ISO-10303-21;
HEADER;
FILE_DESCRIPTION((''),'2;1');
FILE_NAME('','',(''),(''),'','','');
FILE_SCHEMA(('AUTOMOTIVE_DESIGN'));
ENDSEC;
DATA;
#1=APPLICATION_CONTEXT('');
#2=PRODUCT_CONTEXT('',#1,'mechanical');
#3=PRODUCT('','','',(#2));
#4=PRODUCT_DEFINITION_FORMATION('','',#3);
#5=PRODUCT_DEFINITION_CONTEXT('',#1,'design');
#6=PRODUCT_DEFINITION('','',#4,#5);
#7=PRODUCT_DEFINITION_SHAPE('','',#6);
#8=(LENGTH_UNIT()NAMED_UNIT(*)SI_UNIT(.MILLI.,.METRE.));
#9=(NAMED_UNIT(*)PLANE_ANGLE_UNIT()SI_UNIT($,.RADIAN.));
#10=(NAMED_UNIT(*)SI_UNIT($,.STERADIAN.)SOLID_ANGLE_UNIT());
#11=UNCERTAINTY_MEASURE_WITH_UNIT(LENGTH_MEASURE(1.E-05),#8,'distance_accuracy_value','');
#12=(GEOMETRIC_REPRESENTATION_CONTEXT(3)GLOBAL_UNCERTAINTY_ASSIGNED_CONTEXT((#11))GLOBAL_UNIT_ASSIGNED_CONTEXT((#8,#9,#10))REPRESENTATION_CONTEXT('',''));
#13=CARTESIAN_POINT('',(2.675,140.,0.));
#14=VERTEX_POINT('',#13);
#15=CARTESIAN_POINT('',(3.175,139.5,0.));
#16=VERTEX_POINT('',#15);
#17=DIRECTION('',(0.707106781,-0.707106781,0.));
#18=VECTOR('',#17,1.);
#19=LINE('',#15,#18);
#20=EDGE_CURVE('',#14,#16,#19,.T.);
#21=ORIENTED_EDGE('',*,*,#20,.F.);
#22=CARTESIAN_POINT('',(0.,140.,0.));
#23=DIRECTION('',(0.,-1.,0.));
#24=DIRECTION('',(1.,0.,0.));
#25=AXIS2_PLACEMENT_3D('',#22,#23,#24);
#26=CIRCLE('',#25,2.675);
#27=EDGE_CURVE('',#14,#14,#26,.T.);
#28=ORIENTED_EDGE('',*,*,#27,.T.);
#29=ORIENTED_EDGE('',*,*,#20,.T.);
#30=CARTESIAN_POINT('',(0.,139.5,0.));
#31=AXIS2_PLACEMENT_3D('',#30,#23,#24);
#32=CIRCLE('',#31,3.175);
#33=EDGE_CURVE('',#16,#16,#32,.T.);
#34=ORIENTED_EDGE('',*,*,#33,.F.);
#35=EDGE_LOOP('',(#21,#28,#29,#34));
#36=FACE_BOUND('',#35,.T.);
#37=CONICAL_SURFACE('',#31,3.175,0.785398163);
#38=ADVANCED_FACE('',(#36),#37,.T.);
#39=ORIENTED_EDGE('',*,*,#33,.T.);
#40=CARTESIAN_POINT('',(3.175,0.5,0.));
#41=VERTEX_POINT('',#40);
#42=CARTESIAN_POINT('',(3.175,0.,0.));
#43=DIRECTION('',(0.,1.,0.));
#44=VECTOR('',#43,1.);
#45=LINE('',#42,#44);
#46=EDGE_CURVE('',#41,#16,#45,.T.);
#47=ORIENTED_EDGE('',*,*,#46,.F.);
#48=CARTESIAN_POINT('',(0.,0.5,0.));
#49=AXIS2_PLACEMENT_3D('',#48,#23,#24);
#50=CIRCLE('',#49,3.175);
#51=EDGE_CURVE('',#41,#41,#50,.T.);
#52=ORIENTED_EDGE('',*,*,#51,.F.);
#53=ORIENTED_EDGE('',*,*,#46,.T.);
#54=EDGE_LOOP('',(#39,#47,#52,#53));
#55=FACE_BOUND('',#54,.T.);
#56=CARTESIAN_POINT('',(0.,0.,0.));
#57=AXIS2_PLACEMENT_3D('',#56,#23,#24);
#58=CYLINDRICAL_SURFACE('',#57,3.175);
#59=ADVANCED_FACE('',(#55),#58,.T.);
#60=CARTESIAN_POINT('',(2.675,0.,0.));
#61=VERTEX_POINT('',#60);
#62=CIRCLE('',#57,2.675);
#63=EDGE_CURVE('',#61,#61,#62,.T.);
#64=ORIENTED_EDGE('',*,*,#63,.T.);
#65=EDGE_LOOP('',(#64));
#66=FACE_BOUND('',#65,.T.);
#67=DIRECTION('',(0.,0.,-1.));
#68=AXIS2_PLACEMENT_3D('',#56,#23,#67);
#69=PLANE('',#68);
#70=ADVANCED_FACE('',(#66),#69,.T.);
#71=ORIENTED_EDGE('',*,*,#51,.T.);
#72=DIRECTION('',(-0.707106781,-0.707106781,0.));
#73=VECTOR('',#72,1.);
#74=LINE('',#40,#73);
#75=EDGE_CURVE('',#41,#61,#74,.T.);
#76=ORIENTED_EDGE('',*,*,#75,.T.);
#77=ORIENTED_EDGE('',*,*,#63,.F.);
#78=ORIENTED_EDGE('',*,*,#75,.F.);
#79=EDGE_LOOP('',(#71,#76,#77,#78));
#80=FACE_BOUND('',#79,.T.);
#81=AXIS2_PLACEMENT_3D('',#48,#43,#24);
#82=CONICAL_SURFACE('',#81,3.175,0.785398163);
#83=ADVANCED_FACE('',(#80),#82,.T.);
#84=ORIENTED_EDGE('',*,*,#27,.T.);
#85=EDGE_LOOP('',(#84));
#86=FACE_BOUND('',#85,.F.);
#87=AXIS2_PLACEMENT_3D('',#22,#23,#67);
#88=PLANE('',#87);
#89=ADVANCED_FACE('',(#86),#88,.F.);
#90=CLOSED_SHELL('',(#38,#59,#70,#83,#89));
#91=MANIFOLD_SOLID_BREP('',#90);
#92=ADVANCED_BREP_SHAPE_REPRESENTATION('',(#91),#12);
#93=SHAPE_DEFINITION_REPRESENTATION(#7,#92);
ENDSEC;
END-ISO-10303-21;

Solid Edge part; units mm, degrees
sketch "Sketch1" plane through (0, 0, 0) normal (0, -1, 0) x (1, 0, 0)
  circle A0 centre (0, 0) radius 3.175
extrude "Protrusion1" add sketch "Sketch1" against normal blind 140
chamfer "Chamfer_2" distance 0.5 angle 45 2 edges at (-3.175, 0, 0) (-3.175, 140, 0) measured on face at (-2.0532, 140, 2.1802)
cosmetic_thread "Thread1" size "1/4-20 UNC"
